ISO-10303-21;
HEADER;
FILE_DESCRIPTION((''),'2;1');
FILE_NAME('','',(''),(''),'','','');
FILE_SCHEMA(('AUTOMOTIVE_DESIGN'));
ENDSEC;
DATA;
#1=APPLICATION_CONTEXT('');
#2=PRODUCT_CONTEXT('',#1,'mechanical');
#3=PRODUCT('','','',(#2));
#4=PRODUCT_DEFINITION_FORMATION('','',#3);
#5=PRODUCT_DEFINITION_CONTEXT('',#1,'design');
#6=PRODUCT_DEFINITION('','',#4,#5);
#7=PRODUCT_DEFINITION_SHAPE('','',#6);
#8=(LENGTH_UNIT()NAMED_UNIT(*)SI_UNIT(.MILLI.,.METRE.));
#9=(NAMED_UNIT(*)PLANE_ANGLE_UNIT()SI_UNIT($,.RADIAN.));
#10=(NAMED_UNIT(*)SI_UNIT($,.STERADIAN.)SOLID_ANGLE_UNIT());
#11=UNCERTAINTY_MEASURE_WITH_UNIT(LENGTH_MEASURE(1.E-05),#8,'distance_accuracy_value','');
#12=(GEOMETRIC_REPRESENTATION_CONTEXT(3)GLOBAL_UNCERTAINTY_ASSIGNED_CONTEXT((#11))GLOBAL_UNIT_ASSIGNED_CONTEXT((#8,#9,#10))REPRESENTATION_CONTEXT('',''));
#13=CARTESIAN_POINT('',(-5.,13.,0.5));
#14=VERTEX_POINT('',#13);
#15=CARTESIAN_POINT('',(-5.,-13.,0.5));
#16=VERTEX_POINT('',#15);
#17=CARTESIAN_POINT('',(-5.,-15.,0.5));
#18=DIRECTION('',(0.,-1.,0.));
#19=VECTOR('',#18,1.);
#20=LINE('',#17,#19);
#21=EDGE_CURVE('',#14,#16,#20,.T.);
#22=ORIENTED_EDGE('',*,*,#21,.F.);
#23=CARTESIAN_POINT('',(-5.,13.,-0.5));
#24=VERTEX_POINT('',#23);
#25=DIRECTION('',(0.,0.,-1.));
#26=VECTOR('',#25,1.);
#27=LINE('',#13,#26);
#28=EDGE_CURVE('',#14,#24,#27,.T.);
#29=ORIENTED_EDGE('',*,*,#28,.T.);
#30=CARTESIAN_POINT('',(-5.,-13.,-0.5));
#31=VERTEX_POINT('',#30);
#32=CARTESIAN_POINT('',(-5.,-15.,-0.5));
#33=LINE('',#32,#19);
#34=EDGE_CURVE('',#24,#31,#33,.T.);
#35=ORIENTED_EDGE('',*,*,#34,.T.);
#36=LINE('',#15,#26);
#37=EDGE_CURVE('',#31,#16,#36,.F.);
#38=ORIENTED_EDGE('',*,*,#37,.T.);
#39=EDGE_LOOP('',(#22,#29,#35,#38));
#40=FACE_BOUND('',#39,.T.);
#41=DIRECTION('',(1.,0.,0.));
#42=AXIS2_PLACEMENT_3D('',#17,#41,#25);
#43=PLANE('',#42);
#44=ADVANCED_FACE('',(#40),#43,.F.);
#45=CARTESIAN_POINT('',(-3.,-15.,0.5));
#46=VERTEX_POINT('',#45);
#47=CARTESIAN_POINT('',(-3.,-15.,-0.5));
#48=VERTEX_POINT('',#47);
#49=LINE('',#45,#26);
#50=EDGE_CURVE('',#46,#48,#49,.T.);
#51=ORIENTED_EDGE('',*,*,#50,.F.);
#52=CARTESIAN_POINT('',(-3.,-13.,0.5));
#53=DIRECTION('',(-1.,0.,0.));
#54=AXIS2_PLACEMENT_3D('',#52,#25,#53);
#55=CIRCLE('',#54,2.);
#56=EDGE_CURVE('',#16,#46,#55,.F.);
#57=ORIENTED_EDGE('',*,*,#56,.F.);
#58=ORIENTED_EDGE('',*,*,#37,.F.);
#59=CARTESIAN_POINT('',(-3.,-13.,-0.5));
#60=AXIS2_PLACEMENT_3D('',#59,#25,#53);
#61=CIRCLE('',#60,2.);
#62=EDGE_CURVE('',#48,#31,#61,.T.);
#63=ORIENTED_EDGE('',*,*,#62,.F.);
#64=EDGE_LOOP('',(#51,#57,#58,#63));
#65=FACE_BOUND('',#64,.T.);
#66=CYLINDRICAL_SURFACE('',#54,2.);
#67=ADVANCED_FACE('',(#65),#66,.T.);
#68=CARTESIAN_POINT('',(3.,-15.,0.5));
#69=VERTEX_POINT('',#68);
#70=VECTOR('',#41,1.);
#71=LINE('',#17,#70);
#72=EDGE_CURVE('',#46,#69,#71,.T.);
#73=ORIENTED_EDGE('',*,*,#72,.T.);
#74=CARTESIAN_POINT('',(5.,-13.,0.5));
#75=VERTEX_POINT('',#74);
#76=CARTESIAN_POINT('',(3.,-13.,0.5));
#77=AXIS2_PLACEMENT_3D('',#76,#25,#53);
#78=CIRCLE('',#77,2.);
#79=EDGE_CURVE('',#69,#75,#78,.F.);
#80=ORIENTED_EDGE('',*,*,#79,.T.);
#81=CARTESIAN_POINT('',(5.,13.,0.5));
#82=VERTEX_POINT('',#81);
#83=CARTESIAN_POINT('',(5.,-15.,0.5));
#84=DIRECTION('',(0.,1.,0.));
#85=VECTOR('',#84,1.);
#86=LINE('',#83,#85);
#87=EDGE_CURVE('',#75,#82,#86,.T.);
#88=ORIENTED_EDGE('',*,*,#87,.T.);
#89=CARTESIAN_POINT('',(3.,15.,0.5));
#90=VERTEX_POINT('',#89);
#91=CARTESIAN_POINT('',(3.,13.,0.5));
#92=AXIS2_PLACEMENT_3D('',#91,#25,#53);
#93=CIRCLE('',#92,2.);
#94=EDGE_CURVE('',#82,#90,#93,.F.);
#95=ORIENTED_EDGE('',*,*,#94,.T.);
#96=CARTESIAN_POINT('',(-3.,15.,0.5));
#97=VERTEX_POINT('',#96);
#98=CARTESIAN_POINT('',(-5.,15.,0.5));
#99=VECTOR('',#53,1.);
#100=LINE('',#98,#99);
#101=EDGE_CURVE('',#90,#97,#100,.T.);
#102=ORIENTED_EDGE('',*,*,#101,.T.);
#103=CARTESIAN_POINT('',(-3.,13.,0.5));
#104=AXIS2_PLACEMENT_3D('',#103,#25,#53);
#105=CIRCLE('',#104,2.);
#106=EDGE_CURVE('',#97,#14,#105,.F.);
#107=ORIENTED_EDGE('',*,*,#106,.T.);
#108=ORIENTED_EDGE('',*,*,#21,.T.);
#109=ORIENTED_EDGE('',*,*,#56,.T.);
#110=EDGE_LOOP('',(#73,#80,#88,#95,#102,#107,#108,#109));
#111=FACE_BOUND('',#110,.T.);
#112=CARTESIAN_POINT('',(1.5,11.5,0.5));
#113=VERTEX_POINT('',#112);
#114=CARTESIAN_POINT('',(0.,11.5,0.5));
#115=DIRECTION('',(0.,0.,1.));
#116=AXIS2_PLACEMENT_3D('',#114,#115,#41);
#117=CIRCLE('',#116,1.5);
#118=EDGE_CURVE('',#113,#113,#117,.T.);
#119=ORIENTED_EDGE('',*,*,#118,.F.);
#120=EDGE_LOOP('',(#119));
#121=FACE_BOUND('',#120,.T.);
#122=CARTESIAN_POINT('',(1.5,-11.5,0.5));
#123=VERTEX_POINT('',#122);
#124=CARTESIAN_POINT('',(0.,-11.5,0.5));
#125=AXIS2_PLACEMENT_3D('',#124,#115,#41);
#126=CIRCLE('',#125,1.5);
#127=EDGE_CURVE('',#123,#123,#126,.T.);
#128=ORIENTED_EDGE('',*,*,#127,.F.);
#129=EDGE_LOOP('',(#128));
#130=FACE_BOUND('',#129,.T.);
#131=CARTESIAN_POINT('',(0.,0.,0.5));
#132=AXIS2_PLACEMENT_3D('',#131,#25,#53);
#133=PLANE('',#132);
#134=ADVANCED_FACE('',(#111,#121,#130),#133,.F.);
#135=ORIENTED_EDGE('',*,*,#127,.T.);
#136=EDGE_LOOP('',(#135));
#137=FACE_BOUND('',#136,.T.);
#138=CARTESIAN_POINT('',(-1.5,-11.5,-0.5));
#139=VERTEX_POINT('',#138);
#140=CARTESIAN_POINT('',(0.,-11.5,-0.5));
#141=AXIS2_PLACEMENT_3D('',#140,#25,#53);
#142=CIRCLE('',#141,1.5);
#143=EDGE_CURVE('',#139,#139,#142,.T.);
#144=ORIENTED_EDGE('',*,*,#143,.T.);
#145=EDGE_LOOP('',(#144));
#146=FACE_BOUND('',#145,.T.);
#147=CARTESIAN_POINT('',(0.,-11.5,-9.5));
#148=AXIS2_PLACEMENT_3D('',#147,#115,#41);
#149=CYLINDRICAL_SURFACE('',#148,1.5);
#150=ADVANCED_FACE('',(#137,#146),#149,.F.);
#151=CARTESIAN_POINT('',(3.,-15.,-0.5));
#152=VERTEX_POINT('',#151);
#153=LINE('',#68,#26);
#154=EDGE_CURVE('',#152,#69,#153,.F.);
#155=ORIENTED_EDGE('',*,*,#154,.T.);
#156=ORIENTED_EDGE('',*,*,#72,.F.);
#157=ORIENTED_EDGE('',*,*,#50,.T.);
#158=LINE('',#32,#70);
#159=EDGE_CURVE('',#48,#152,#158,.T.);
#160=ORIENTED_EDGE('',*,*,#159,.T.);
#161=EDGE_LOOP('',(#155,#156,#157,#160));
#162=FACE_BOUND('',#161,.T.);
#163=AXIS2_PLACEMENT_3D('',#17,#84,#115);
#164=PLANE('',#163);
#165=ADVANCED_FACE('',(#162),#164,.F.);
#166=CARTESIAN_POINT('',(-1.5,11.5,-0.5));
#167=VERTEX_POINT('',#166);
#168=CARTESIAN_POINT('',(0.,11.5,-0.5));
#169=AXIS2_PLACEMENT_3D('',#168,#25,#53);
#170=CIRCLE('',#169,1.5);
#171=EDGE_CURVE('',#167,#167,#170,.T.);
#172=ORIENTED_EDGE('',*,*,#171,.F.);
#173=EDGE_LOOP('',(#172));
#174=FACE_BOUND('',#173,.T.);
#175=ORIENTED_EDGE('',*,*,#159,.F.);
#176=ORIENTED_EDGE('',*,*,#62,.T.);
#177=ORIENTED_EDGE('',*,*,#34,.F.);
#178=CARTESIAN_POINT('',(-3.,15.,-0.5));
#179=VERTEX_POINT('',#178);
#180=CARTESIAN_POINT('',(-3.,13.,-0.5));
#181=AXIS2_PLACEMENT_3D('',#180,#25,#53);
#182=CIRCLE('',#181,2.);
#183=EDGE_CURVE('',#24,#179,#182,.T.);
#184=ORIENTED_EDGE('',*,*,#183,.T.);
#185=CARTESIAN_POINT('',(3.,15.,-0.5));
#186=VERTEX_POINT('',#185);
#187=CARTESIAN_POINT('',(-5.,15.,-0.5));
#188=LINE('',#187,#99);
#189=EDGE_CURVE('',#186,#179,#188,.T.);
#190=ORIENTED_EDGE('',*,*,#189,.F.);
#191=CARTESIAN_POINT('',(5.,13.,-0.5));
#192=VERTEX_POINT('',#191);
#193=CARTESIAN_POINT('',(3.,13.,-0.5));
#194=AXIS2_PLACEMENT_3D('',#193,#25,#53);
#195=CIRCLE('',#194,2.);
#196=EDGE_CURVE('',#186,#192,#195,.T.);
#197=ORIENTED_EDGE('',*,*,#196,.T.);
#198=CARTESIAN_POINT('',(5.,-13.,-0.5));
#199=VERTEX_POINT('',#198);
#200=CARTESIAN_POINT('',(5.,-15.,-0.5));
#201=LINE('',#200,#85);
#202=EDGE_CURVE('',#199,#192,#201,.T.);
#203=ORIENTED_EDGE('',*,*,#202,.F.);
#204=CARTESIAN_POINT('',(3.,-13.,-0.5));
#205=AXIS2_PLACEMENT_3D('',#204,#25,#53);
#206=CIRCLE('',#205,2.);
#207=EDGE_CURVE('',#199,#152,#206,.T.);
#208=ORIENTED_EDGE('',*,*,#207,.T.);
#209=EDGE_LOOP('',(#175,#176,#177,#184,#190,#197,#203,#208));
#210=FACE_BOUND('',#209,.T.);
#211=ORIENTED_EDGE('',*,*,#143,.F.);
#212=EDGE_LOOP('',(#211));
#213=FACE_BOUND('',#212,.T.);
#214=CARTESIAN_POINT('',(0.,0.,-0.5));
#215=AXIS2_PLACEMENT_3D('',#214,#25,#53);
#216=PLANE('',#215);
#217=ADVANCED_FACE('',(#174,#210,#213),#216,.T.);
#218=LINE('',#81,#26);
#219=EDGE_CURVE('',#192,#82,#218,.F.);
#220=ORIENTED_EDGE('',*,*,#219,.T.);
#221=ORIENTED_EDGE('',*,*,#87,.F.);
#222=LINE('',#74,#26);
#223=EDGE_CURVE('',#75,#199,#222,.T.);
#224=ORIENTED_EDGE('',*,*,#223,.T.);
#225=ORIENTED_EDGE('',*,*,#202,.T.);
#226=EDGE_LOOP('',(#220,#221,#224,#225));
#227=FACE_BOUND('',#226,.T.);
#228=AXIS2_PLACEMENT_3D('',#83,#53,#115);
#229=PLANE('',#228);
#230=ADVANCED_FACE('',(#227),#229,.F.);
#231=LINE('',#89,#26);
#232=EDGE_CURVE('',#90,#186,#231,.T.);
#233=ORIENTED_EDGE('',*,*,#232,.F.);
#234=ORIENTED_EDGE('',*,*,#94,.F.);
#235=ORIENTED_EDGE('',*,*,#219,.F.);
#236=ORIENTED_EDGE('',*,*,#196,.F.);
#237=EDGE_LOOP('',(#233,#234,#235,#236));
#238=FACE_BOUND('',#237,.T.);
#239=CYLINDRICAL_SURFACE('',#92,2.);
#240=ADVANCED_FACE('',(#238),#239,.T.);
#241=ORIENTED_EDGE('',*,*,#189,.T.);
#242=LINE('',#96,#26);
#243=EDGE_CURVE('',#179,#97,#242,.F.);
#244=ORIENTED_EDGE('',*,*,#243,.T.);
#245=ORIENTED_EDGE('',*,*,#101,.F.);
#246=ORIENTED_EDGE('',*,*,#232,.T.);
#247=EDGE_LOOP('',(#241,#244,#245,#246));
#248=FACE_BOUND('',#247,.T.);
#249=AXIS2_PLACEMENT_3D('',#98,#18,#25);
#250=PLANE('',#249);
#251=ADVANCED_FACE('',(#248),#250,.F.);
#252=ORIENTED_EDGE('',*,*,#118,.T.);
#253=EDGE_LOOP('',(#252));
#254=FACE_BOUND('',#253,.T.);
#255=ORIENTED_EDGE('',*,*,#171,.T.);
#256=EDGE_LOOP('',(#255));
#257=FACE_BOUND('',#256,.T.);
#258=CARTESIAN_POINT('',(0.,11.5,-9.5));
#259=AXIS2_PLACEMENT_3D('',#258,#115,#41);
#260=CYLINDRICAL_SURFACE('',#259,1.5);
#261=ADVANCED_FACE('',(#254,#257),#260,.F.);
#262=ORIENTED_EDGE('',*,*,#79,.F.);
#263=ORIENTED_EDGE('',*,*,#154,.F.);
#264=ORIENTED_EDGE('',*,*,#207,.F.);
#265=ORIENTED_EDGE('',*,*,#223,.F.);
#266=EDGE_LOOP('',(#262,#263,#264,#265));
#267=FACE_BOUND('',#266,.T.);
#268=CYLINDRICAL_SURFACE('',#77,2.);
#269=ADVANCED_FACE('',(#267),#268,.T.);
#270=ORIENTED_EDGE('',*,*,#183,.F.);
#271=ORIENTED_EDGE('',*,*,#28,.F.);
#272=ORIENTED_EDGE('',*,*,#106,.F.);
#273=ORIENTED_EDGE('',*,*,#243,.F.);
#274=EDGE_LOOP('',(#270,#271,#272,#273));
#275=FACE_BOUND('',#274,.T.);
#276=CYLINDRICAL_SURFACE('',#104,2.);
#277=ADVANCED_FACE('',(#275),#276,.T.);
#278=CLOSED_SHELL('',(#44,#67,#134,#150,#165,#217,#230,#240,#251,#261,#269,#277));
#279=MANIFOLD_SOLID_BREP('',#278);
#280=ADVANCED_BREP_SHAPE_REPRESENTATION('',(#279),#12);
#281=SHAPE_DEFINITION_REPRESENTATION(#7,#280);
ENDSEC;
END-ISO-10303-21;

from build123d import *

# Parameters (mm, degrees)
SKETCH_1_W          = 10
SKETCH_1_H          = 30
EXTRUDE_1_DEPTH     = 0.5
SKETCH_2_R          = 1.5
CUT_EXTRUDE_1_DEPTH = 10
FILLET_1_R          = 2


with BuildPart() as part:
    # 草图1 → 凸台-拉伸1 (new, symmetric)
    with BuildSketch(Plane.XY):
        Rectangle(SKETCH_1_W, SKETCH_1_H)
    extrude(amount=EXTRUDE_1_DEPTH, both=True)

    # 草图2 → 切除-拉伸1 (cut)
    with BuildSketch(Plane.XY.offset(0.5)):
        with Locations((0, 11.5)):
            Circle(SKETCH_2_R)
        with Locations((0, -11.5)):
            Circle(SKETCH_2_R)
    extrude(amount=-CUT_EXTRUDE_1_DEPTH, mode=Mode.SUBTRACT)

    # 圆角1
    fillet_1_edges = [part.edges().sort_by_distance(p)[0] for p in [
        (5, -15, 0),
        (-5, -15, 0),
        (-5, 15, 0),
        (5, 15, 0),
    ]]
    fillet(fillet_1_edges, radius=FILLET_1_R)


solid = part.part
